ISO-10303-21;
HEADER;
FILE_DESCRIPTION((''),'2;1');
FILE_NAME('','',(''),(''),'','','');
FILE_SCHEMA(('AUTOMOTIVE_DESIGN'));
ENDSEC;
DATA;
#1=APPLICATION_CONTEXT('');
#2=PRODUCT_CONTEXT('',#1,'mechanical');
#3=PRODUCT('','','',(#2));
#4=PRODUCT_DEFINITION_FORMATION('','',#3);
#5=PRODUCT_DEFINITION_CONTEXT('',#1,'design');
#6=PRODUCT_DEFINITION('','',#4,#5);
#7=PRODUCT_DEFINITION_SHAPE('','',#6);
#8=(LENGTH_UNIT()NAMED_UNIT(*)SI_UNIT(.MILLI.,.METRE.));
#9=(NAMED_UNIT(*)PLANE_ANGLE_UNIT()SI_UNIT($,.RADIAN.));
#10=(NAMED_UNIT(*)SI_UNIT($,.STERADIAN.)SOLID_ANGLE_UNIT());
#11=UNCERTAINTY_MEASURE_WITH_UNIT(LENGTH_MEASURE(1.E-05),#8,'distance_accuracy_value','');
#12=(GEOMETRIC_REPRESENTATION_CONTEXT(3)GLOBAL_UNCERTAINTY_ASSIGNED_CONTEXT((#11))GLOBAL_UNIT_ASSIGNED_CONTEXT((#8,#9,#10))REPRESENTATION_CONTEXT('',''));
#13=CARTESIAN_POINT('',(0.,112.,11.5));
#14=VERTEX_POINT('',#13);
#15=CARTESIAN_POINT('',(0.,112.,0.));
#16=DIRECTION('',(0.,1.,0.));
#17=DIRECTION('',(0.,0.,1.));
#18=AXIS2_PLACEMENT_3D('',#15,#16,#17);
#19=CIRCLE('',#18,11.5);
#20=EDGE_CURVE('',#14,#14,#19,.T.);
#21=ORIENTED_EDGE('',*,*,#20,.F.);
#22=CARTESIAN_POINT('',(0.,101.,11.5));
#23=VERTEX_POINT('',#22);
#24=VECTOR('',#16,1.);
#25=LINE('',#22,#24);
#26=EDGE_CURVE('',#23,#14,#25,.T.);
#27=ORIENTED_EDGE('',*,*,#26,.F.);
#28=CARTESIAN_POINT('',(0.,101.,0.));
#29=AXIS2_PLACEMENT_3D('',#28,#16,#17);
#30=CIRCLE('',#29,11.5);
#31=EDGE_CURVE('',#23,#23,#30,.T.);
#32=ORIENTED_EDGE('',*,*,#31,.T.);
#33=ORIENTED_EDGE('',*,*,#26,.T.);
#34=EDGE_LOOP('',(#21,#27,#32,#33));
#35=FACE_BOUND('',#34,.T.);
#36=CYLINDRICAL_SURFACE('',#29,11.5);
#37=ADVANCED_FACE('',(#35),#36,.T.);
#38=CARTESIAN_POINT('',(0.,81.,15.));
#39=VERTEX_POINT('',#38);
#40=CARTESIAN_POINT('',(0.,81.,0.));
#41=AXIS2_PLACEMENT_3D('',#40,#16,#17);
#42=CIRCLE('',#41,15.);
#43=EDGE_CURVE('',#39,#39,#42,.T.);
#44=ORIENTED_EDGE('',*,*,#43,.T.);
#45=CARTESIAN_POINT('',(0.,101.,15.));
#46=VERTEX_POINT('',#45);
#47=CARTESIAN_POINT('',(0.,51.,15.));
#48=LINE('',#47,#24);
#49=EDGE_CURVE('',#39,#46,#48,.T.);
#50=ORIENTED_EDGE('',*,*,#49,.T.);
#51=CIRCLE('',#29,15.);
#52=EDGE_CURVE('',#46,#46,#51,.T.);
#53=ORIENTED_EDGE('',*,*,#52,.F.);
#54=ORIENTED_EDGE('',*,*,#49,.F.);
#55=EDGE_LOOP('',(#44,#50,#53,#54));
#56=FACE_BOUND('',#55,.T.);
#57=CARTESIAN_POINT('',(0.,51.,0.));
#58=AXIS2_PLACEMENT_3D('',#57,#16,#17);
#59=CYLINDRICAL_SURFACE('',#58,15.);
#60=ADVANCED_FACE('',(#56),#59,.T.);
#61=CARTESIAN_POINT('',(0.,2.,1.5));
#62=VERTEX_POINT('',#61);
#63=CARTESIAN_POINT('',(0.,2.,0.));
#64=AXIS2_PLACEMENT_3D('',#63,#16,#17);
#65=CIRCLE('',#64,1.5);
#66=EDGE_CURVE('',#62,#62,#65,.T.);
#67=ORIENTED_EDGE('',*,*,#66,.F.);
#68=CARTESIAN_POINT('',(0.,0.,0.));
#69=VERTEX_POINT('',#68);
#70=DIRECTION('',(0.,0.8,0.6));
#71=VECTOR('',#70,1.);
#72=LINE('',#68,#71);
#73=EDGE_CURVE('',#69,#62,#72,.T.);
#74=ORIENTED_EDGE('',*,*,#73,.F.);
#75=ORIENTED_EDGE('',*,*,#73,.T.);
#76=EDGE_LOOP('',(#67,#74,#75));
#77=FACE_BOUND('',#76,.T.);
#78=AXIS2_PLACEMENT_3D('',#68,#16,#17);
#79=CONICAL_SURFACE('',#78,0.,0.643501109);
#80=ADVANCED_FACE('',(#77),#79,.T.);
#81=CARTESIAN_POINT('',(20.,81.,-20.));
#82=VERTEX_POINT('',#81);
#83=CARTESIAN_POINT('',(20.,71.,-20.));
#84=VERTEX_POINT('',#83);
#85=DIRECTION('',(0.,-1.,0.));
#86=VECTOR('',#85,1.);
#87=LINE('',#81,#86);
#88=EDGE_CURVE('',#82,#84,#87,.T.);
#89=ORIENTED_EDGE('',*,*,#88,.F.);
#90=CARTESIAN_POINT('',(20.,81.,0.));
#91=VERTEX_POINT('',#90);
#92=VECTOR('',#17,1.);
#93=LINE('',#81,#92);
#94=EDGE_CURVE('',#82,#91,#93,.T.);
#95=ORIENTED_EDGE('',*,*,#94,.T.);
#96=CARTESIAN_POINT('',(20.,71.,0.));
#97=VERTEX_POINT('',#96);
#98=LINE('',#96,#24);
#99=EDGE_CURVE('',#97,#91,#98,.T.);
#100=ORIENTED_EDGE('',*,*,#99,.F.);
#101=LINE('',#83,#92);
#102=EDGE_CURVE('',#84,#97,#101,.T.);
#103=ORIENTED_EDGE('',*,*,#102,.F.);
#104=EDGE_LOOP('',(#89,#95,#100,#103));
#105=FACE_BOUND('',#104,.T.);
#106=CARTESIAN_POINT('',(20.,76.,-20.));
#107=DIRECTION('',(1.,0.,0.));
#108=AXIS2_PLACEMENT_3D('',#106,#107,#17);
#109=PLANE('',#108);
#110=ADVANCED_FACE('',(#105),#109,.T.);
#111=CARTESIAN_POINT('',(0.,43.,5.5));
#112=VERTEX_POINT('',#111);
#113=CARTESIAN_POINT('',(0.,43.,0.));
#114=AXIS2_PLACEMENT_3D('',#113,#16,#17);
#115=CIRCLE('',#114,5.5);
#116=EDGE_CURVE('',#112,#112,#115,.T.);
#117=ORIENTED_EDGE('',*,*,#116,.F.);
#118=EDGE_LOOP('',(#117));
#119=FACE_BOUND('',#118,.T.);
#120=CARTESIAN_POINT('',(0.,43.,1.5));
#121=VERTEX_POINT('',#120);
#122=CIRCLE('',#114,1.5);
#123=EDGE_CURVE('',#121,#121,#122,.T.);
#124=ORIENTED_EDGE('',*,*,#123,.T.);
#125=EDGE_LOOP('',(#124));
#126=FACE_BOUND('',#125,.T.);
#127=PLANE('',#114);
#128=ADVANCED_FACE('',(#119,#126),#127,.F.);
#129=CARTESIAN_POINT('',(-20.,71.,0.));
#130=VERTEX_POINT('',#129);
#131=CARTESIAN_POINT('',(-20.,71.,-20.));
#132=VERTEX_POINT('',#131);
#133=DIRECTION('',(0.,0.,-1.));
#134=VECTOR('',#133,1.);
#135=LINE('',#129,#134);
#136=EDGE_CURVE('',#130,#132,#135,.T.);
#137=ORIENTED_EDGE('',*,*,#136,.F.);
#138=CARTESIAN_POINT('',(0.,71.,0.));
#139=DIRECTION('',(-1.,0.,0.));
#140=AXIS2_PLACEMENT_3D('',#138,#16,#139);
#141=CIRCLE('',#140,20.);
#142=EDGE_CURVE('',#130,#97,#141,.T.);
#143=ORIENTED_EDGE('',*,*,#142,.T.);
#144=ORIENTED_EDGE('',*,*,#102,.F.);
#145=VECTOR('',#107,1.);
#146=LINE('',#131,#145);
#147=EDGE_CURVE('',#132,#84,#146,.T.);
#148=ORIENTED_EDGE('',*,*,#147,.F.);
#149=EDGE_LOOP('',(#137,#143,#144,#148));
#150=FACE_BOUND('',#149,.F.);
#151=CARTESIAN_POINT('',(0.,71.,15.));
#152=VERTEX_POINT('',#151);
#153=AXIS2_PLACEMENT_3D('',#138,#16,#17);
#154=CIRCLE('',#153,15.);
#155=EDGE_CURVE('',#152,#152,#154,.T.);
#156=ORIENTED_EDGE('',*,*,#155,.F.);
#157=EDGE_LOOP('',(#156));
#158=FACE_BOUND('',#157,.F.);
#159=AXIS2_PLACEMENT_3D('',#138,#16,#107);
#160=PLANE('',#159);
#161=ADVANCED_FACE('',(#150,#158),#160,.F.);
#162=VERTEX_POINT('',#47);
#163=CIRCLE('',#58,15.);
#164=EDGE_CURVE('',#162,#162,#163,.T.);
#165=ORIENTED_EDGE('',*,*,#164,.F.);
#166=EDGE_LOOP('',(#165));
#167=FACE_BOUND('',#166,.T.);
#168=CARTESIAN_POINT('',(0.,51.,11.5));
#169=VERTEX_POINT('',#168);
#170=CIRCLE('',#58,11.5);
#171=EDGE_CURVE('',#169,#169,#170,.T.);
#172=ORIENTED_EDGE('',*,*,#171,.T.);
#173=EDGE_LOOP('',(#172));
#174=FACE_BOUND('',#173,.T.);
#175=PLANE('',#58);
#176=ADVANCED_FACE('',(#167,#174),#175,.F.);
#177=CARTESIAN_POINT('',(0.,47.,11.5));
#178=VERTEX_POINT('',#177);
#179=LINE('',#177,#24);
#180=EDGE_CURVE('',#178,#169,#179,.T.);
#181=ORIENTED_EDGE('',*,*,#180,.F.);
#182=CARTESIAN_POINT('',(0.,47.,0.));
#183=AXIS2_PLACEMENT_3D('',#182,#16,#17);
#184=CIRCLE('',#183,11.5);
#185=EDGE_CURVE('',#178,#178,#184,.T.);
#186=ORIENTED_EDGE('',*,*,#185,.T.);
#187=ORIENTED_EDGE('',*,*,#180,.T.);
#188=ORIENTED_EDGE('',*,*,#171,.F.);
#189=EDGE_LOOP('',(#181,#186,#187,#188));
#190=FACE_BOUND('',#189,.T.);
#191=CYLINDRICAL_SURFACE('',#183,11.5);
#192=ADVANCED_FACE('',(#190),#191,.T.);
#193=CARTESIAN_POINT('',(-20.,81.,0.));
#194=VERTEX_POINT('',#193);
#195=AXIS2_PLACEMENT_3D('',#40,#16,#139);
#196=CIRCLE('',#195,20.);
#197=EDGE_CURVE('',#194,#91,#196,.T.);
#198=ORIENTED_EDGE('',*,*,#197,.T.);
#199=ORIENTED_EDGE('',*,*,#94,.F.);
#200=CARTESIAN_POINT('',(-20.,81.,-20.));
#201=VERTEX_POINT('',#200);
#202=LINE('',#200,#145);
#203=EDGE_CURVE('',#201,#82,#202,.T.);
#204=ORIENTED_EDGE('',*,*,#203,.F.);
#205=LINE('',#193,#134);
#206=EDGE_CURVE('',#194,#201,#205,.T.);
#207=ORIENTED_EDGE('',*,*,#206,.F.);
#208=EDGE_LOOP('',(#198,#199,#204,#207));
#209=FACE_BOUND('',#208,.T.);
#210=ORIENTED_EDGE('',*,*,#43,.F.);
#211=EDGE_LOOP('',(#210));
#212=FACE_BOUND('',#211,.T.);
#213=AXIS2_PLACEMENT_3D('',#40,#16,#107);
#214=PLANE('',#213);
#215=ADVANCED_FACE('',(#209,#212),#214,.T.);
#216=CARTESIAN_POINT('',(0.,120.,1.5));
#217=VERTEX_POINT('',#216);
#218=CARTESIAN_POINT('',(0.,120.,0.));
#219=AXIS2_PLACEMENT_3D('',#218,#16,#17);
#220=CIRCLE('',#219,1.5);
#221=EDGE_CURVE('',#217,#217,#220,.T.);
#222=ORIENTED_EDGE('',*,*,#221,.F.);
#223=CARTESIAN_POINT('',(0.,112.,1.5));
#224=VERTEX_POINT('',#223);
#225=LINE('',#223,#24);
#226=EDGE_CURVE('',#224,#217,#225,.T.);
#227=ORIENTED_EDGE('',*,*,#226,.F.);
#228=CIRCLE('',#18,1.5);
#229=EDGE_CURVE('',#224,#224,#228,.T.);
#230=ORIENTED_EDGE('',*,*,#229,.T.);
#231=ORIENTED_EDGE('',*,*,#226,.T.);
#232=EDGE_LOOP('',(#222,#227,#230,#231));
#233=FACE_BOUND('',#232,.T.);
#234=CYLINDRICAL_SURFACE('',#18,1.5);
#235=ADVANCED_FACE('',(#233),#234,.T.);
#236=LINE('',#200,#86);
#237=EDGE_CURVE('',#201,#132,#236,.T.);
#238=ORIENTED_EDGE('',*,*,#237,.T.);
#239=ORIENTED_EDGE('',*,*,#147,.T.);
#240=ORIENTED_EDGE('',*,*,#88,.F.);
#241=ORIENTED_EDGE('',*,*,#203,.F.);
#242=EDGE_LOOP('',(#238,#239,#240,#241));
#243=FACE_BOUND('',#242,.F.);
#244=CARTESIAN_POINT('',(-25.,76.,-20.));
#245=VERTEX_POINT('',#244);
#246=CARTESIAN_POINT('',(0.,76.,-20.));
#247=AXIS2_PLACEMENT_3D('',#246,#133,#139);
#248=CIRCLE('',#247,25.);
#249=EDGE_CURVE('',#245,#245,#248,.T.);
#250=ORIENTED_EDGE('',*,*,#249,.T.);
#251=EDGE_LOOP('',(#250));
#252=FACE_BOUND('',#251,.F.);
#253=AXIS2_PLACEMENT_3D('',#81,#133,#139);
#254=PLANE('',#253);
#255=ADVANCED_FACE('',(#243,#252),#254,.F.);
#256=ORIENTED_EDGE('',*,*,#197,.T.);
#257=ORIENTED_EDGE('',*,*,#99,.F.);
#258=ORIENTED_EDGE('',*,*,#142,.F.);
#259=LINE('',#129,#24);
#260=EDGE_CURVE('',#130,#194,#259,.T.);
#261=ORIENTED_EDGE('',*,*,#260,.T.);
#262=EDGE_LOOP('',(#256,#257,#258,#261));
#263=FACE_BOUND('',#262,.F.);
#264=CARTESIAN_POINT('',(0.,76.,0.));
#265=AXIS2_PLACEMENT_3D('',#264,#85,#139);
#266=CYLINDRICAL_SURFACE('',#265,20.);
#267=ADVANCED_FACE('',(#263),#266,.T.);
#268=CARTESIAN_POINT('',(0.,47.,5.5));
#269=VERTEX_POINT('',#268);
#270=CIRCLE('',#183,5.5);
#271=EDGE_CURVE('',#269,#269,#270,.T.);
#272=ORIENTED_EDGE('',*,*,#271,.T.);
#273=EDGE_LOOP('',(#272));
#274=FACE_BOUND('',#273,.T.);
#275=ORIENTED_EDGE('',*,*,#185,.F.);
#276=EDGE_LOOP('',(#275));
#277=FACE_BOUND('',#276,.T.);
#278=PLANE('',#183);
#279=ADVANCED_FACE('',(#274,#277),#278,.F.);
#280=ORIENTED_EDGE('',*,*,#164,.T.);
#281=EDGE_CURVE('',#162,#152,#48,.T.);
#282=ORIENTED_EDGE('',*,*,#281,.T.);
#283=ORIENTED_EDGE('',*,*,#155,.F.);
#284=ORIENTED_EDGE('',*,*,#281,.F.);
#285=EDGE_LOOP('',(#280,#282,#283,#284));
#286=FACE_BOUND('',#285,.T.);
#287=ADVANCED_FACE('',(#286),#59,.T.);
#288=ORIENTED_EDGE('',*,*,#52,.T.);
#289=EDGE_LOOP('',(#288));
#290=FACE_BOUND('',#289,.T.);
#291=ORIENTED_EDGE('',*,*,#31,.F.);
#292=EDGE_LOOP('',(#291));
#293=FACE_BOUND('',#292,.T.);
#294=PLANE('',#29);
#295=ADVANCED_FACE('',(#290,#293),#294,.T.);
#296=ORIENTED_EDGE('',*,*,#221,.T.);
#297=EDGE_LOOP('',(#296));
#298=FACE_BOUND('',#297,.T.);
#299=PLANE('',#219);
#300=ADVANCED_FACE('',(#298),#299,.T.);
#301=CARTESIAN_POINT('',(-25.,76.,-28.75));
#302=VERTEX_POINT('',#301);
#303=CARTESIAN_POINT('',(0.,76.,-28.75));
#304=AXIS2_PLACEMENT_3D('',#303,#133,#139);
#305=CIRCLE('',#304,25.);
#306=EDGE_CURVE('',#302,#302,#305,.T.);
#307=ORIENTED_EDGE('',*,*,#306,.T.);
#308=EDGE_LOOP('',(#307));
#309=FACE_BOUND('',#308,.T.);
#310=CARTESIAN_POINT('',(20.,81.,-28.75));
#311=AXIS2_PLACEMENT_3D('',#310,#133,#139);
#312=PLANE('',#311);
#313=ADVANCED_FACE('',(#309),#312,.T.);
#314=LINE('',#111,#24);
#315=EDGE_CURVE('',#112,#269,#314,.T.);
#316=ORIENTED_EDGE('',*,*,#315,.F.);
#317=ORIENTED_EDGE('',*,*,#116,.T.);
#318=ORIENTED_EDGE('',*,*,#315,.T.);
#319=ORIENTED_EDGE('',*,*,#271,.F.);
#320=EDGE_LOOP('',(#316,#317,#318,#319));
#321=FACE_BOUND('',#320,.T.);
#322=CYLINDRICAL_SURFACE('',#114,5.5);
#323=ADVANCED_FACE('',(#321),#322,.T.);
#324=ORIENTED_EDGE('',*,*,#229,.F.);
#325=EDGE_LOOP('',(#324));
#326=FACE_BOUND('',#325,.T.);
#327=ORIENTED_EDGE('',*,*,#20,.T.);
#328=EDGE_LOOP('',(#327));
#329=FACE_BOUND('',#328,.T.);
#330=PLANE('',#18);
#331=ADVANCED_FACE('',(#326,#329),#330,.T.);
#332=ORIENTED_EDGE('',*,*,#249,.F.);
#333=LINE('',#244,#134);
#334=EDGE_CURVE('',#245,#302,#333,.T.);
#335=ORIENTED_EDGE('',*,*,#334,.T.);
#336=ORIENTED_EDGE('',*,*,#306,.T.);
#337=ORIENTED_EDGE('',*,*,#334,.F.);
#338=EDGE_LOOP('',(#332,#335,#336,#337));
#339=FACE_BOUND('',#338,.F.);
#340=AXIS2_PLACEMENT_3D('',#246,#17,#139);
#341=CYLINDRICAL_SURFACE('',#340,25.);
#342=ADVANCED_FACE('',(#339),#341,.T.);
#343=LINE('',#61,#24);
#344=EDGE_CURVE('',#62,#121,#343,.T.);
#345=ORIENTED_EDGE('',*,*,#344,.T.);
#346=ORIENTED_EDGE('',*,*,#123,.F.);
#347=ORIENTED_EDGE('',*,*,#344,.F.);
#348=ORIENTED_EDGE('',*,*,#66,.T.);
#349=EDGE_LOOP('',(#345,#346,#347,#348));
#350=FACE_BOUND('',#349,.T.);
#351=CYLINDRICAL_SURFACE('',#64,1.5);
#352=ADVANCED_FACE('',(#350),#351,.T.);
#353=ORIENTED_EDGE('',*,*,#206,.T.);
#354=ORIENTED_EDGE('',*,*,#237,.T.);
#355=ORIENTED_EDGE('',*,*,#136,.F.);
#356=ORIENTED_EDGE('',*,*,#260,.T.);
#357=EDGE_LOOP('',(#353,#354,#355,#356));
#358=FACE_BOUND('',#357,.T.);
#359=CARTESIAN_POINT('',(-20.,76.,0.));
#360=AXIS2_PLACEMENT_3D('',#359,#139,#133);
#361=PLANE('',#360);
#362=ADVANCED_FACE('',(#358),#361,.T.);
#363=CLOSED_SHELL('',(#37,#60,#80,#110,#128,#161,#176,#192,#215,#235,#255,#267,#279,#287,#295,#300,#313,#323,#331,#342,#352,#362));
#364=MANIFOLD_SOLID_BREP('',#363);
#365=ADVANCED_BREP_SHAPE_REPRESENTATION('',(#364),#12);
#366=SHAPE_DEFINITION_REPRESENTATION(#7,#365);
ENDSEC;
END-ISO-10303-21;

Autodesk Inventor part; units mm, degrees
ref_plane "YZ Plane" through (0, 0, 0) normal (1, 0, 0) x (0, 1, 0)
ref_plane "XZ Plane" through (0, 0, 0) normal (0, 1, 0) x (-1, 0, 0)
ref_plane "XY Plane" through (0, 0, 0) normal (0, 0, 1) x (1, 0, 0)
sketch "Sketch1" plane through (0, 0, 0) normal (1, 0, 0) x (0, 1, 0)
  line L0 (0, 0) -> (1.5, 2)
  line L1 (1.5, 2) -> (1.5, 43)
  line L2 (0, 59) -> (0, 0)
  line L3 (11.5, 51) -> (16.5, 51)
  line L4 (16.5, 51) -> (16.5, 101)
  line L5 (16.5, 101) -> (11.5, 101)
  line L6 (1.5, 105) -> (1.5, 120)
  line L7 (1.5, 120) -> (0, 120)
  line L8 (0, 120) -> (0, 59)
  line L9 (0, -24) -> (0, 144) projected
  line L10 (16.5, 76) -> (-5.6648, 76)
  line L11 (-30.7978, 0) -> (145.133, 0) projected
  line L12 (11.5, 101) -> (11.5, 105)
  line L13 (11.5, 105) -> (1.5, 105)
  line L14 (11.5, 51) -> (11.5, 47)
  line L15 (11.5, 47) -> (5.5, 47)
  line L16 (5.5, 47) -> (5.5, 43)
  line L17 (5.5, 43) -> (1.5, 43)
  line L18 (0, 0) -> (2, 1.5)
  line L19 (2, 1.5) -> (43, 1.5)
  line L20 (43, 1.5) -> (43, 5.5)
  line L21 (43, 5.5) -> (47, 5.5)
  line L22 (47, 5.5) -> (47, 11.5)
  line L23 (47, 11.5) -> (51, 11.5)
  line L24 (51, 11.5) -> (51, 15)
  line L25 (51, 15) -> (101, 15)
  line L26 (101, 15) -> (101, 11.5)
  line L27 (101, 11.5) -> (112, 11.5)
  line L28 (112, 11.5) -> (112, 1.5)
  line L29 (112, 1.5) -> (120, 1.5)
  line L30 (120, 1.5) -> (120, 0)
  line L31 (-30.7978, 0) -> (145.133, 0) projected
  line L32 (76, 15) -> (76, 0)
  line L33 (0, 0) -> (120, 0)
  dimension "d0" = 2
  dimension "d3" = 76
  dimension "d4" = 120
  dimension "d5" = 50
  dimension "d7" = 1.5
  dimension "d8" = 10
  dimension "d9" = 4
  dimension "d10" = 4
  dimension "d11" = 4
  dimension "d12" = 6
  dimension "d13" = 4
  dimension "d21" = 2
  dimension "d22" = 1.5
  dimension "d23" = 76
  dimension "d24" = 120
  dimension "d25" = 1.5
  dimension "d26" = 4
  dimension "d27" = 4
  dimension "d28" = 6
  dimension "d29" = 4
  dimension "d30" = 10
  dimension "d31" = 8
  dimension "d32" = 50
  dimension "d33" = 15
  dimension "d42" = 3
revolve "Revolution1" add sketch "Sketch1" angle 360 about axis through (0, -10, 0) along (0, 1, 0) contours L18 L19 L20 L21 L22 L23 L24 L25 L32 L11 | L32 L25 L26 L27 L28 L29 L30 L11
ref_plane "Work Plane2" through (0, 76, 0) normal (0, 1, 0) x (1, 0, 0)
sketch "Sketch4" plane through (0, 76, 0) normal (0, 1, 0) x (1, 0, 0)
  arc A0 (-20, 0) -> (20, 0) centre (0, 0) ccw
  line L0 (-20, 0) -> (-20, 20)
  line L1 (-20, 20) -> (20, 20)
  line L2 (20, 20) -> (20, 0)
  dimension "d35" = 20
  dimension "d36" = 20
extrude "Extrusion3" add sketch "Sketch4" along normal mid plane 10
sketch "Sketch5" plane through (20, 81, -20) normal (0, 0, -1) x (-1, 0, 0)
  line L0 (0, 0) -> (0, -10) projected
  line L1 (0, -5) -> (40, -5) construction
  line L2 (40, -10) -> (40, 0) projected
  circle A0 centre (20, -5) radius 25
  point P0 (20, -81)
  dimension "d39" = 50
extrude "Extrusion4" add sketch "Sketch5" along normal blind 8.75
properties part number "spindle"
